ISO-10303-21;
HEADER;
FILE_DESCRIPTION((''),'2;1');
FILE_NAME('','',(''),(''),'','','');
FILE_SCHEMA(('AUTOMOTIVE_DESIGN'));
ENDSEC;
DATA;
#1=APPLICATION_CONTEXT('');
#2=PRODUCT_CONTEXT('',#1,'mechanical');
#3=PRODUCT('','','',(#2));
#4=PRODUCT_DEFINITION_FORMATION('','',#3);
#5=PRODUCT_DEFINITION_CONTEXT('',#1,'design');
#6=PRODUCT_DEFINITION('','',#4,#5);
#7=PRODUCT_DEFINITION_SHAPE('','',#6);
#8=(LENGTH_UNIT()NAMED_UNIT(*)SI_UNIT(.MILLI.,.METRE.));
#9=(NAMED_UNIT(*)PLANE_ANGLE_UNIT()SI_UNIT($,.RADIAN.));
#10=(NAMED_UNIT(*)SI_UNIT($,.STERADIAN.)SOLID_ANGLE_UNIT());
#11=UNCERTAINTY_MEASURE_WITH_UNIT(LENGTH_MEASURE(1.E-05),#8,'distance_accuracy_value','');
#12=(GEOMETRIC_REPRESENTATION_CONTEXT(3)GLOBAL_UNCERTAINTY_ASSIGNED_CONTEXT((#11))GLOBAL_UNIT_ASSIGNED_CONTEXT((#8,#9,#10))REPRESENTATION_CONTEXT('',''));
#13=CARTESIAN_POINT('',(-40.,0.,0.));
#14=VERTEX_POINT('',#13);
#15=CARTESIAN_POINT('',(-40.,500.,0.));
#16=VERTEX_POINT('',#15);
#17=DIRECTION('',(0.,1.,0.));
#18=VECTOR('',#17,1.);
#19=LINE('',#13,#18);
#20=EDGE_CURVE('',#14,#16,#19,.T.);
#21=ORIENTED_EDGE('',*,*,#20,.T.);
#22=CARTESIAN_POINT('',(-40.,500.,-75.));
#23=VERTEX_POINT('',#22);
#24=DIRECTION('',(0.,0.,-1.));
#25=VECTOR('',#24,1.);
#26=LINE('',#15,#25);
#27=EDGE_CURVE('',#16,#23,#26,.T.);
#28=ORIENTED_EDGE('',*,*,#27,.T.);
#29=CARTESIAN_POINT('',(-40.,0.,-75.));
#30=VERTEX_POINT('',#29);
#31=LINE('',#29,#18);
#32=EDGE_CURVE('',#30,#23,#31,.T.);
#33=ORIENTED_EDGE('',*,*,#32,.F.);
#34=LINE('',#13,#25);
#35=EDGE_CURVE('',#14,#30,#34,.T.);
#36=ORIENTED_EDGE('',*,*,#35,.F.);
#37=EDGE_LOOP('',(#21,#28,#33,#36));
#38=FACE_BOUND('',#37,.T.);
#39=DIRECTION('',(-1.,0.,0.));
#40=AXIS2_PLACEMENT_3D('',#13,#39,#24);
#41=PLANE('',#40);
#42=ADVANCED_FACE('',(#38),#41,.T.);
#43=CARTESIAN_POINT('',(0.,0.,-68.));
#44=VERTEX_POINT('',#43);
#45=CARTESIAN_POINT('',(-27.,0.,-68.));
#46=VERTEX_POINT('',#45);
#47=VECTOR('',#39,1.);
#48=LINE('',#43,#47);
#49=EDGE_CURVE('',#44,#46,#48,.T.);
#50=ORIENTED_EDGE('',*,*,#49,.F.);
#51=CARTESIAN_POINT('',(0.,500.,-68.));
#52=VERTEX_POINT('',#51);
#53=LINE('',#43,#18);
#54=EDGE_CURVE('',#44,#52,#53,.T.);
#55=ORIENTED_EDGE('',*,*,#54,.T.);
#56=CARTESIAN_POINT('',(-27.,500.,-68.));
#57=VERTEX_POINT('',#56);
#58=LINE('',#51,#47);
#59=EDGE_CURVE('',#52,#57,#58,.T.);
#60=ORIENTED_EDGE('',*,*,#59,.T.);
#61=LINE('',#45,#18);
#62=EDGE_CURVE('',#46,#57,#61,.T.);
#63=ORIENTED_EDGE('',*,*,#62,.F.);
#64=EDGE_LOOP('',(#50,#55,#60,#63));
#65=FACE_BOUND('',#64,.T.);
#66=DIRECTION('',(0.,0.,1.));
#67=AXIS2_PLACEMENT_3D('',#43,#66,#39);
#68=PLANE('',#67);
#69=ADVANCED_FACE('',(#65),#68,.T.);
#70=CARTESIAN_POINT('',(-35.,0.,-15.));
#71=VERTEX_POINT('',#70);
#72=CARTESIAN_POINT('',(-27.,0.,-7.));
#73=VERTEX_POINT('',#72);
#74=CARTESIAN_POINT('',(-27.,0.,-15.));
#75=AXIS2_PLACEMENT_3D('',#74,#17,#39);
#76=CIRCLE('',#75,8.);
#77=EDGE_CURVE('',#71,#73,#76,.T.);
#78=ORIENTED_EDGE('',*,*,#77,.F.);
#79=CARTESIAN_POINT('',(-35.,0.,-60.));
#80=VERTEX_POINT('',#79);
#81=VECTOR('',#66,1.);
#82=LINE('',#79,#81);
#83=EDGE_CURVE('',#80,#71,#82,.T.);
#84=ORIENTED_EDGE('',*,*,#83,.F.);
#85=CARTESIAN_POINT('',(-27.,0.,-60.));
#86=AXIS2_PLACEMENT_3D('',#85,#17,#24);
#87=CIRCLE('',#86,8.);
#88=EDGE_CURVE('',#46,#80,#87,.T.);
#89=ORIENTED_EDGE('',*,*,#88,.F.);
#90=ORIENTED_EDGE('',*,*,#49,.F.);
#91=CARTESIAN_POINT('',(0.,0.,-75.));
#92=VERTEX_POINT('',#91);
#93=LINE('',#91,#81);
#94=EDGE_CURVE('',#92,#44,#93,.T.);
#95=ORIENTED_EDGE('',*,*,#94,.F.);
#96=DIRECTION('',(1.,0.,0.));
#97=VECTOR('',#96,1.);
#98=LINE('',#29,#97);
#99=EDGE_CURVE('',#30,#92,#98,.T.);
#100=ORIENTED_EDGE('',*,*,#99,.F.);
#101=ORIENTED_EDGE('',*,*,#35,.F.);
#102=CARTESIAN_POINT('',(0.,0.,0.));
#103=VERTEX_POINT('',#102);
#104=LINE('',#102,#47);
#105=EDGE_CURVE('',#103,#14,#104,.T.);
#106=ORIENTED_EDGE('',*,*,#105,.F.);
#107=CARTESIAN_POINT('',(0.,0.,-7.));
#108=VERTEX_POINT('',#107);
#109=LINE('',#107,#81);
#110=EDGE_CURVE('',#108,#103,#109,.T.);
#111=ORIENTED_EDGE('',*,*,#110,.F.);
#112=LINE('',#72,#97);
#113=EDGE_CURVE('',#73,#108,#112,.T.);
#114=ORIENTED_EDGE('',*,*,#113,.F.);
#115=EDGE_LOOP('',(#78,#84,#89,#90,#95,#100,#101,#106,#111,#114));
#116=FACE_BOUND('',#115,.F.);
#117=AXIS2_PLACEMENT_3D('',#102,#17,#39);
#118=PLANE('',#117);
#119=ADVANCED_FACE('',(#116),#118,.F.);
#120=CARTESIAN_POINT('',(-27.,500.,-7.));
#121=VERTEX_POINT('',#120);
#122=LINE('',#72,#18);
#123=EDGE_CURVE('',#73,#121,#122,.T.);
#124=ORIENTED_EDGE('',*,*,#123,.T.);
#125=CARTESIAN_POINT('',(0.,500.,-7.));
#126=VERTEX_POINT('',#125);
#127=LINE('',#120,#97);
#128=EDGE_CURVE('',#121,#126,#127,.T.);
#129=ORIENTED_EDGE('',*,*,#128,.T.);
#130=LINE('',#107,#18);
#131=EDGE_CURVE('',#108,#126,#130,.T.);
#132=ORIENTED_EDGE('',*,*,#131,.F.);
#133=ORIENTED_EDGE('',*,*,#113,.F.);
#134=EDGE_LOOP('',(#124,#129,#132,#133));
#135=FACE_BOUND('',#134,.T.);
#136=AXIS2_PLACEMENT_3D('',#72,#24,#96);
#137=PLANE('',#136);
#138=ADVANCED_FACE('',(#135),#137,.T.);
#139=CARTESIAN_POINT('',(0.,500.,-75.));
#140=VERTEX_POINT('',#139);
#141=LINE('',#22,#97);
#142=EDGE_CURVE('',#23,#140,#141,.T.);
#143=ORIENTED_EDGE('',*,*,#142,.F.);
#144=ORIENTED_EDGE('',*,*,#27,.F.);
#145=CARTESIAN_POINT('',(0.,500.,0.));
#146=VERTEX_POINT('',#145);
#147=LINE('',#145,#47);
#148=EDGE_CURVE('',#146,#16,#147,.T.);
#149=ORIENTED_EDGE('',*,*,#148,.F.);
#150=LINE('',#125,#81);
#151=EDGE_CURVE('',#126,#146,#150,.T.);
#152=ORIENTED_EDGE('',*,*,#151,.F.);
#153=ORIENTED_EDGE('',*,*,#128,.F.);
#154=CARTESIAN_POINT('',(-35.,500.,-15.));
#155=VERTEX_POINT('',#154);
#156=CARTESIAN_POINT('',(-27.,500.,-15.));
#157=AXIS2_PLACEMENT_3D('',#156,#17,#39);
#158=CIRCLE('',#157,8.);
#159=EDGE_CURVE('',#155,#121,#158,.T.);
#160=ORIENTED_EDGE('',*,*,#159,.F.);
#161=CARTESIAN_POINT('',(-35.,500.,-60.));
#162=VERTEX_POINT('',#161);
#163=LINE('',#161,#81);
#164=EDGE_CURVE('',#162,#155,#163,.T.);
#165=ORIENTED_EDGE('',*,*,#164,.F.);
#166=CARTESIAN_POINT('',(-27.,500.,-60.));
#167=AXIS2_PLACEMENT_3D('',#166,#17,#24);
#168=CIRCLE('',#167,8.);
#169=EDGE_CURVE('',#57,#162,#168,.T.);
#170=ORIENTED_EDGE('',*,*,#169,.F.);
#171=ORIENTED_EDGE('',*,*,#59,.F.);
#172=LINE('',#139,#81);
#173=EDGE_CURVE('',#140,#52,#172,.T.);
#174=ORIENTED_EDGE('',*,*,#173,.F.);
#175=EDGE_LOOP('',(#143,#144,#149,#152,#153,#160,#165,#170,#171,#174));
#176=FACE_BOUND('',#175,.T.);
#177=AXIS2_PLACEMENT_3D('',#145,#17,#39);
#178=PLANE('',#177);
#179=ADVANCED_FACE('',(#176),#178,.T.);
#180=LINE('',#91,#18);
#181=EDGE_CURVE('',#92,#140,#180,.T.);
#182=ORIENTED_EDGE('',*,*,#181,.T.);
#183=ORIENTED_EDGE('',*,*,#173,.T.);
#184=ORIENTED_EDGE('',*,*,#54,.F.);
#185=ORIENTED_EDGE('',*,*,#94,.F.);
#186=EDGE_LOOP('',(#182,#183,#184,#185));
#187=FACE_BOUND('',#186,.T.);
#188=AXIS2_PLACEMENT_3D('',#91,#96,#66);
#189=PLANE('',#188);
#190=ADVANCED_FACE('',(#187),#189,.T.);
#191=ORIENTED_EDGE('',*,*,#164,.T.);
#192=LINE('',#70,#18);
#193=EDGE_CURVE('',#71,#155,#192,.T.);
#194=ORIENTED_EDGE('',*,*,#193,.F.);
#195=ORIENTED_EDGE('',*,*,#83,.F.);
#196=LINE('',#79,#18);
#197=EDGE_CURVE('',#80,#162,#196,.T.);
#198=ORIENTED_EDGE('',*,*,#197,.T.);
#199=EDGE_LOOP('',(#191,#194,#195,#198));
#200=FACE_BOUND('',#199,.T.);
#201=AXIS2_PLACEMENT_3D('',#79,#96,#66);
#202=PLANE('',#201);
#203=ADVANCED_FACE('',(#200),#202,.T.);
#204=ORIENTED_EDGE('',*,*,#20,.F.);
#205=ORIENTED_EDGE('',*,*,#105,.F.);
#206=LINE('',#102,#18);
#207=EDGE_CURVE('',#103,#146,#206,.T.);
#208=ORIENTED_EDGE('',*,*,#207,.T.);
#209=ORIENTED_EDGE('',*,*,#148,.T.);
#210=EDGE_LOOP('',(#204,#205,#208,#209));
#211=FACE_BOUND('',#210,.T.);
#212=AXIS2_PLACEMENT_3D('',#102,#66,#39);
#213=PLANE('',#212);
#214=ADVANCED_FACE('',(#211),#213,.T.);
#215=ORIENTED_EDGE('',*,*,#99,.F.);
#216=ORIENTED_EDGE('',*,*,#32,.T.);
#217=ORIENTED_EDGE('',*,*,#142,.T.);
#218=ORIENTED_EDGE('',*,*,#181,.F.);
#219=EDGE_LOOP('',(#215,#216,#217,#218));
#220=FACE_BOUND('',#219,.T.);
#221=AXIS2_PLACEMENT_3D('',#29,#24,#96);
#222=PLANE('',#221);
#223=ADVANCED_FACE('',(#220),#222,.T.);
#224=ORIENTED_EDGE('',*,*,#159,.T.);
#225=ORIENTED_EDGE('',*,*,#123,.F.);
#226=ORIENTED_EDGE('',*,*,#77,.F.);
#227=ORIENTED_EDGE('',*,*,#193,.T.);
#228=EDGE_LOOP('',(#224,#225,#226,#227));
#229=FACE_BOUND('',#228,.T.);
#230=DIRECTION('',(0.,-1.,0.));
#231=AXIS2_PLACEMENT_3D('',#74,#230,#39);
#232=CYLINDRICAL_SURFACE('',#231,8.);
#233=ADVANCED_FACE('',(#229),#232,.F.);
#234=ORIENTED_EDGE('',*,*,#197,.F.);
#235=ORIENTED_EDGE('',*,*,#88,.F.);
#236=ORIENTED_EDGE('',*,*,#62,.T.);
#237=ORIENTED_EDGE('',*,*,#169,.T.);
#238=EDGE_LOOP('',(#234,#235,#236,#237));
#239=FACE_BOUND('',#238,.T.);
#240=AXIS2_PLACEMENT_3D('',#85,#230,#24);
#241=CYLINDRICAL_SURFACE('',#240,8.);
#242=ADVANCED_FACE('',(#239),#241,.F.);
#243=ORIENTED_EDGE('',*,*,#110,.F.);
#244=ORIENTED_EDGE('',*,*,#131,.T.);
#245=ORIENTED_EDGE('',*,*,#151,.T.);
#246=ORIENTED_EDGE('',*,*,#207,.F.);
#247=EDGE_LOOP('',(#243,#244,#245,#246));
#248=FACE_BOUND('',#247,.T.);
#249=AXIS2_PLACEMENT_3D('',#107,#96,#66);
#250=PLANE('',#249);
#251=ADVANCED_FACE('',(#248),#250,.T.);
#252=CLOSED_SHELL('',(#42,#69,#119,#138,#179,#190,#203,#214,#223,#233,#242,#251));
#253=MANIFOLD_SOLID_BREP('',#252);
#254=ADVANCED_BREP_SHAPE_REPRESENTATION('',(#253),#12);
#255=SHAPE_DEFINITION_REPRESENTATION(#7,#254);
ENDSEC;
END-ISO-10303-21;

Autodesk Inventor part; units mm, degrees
ref_plane "YZ Plane" through (0, 0, 0) normal (1, 0, 0) x (0, 1, 0)
ref_plane "XZ Plane" through (0, 0, 0) normal (0, 1, 0) x (-1, 0, 0)
ref_plane "XY Plane" through (0, 0, 0) normal (0, 0, 1) x (1, 0, 0)
sketch "Sketch1" plane through (0, 0, 0) normal (0, 1, 0) x (-1, 0, 0)
  point P0 (0, 0)
sketch "Sketch2" plane through (0, 0, 0) normal (0, 1, 0) x (-1, 0, 0)
  line L0 (0, 0) -> (40, 0)
  line L1 (40, 0) -> (40, -75)
  line L2 (40, -75) -> (0, -75)
  line L3 (0, -75) -> (0, -68)
  line L4 (0, -68) -> (27, -68)
  line L5 (35, -60) -> (35, -15)
  line L6 (27, -7) -> (0, -7)
  line L7 (0, -7) -> (0, 0)
  arc A0 (35, -15) -> (27, -7) centre (27, -15) ccw
  arc A1 (27, -68) -> (35, -60) centre (27, -60) ccw
  point P0 (35, -68)
  point P1 (35, -7)
  dimension "d0" = 40
  dimension "d1" = 75
  dimension "d2" = 40
  dimension "d3" = 7
  dimension "d5" = 35
  dimension "d6" = 61
  dimension "d7" = 8
extrude "Extrusion1" add sketch "Sketch2" along normal blind 500
properties part number "Channel2_CPY1"
